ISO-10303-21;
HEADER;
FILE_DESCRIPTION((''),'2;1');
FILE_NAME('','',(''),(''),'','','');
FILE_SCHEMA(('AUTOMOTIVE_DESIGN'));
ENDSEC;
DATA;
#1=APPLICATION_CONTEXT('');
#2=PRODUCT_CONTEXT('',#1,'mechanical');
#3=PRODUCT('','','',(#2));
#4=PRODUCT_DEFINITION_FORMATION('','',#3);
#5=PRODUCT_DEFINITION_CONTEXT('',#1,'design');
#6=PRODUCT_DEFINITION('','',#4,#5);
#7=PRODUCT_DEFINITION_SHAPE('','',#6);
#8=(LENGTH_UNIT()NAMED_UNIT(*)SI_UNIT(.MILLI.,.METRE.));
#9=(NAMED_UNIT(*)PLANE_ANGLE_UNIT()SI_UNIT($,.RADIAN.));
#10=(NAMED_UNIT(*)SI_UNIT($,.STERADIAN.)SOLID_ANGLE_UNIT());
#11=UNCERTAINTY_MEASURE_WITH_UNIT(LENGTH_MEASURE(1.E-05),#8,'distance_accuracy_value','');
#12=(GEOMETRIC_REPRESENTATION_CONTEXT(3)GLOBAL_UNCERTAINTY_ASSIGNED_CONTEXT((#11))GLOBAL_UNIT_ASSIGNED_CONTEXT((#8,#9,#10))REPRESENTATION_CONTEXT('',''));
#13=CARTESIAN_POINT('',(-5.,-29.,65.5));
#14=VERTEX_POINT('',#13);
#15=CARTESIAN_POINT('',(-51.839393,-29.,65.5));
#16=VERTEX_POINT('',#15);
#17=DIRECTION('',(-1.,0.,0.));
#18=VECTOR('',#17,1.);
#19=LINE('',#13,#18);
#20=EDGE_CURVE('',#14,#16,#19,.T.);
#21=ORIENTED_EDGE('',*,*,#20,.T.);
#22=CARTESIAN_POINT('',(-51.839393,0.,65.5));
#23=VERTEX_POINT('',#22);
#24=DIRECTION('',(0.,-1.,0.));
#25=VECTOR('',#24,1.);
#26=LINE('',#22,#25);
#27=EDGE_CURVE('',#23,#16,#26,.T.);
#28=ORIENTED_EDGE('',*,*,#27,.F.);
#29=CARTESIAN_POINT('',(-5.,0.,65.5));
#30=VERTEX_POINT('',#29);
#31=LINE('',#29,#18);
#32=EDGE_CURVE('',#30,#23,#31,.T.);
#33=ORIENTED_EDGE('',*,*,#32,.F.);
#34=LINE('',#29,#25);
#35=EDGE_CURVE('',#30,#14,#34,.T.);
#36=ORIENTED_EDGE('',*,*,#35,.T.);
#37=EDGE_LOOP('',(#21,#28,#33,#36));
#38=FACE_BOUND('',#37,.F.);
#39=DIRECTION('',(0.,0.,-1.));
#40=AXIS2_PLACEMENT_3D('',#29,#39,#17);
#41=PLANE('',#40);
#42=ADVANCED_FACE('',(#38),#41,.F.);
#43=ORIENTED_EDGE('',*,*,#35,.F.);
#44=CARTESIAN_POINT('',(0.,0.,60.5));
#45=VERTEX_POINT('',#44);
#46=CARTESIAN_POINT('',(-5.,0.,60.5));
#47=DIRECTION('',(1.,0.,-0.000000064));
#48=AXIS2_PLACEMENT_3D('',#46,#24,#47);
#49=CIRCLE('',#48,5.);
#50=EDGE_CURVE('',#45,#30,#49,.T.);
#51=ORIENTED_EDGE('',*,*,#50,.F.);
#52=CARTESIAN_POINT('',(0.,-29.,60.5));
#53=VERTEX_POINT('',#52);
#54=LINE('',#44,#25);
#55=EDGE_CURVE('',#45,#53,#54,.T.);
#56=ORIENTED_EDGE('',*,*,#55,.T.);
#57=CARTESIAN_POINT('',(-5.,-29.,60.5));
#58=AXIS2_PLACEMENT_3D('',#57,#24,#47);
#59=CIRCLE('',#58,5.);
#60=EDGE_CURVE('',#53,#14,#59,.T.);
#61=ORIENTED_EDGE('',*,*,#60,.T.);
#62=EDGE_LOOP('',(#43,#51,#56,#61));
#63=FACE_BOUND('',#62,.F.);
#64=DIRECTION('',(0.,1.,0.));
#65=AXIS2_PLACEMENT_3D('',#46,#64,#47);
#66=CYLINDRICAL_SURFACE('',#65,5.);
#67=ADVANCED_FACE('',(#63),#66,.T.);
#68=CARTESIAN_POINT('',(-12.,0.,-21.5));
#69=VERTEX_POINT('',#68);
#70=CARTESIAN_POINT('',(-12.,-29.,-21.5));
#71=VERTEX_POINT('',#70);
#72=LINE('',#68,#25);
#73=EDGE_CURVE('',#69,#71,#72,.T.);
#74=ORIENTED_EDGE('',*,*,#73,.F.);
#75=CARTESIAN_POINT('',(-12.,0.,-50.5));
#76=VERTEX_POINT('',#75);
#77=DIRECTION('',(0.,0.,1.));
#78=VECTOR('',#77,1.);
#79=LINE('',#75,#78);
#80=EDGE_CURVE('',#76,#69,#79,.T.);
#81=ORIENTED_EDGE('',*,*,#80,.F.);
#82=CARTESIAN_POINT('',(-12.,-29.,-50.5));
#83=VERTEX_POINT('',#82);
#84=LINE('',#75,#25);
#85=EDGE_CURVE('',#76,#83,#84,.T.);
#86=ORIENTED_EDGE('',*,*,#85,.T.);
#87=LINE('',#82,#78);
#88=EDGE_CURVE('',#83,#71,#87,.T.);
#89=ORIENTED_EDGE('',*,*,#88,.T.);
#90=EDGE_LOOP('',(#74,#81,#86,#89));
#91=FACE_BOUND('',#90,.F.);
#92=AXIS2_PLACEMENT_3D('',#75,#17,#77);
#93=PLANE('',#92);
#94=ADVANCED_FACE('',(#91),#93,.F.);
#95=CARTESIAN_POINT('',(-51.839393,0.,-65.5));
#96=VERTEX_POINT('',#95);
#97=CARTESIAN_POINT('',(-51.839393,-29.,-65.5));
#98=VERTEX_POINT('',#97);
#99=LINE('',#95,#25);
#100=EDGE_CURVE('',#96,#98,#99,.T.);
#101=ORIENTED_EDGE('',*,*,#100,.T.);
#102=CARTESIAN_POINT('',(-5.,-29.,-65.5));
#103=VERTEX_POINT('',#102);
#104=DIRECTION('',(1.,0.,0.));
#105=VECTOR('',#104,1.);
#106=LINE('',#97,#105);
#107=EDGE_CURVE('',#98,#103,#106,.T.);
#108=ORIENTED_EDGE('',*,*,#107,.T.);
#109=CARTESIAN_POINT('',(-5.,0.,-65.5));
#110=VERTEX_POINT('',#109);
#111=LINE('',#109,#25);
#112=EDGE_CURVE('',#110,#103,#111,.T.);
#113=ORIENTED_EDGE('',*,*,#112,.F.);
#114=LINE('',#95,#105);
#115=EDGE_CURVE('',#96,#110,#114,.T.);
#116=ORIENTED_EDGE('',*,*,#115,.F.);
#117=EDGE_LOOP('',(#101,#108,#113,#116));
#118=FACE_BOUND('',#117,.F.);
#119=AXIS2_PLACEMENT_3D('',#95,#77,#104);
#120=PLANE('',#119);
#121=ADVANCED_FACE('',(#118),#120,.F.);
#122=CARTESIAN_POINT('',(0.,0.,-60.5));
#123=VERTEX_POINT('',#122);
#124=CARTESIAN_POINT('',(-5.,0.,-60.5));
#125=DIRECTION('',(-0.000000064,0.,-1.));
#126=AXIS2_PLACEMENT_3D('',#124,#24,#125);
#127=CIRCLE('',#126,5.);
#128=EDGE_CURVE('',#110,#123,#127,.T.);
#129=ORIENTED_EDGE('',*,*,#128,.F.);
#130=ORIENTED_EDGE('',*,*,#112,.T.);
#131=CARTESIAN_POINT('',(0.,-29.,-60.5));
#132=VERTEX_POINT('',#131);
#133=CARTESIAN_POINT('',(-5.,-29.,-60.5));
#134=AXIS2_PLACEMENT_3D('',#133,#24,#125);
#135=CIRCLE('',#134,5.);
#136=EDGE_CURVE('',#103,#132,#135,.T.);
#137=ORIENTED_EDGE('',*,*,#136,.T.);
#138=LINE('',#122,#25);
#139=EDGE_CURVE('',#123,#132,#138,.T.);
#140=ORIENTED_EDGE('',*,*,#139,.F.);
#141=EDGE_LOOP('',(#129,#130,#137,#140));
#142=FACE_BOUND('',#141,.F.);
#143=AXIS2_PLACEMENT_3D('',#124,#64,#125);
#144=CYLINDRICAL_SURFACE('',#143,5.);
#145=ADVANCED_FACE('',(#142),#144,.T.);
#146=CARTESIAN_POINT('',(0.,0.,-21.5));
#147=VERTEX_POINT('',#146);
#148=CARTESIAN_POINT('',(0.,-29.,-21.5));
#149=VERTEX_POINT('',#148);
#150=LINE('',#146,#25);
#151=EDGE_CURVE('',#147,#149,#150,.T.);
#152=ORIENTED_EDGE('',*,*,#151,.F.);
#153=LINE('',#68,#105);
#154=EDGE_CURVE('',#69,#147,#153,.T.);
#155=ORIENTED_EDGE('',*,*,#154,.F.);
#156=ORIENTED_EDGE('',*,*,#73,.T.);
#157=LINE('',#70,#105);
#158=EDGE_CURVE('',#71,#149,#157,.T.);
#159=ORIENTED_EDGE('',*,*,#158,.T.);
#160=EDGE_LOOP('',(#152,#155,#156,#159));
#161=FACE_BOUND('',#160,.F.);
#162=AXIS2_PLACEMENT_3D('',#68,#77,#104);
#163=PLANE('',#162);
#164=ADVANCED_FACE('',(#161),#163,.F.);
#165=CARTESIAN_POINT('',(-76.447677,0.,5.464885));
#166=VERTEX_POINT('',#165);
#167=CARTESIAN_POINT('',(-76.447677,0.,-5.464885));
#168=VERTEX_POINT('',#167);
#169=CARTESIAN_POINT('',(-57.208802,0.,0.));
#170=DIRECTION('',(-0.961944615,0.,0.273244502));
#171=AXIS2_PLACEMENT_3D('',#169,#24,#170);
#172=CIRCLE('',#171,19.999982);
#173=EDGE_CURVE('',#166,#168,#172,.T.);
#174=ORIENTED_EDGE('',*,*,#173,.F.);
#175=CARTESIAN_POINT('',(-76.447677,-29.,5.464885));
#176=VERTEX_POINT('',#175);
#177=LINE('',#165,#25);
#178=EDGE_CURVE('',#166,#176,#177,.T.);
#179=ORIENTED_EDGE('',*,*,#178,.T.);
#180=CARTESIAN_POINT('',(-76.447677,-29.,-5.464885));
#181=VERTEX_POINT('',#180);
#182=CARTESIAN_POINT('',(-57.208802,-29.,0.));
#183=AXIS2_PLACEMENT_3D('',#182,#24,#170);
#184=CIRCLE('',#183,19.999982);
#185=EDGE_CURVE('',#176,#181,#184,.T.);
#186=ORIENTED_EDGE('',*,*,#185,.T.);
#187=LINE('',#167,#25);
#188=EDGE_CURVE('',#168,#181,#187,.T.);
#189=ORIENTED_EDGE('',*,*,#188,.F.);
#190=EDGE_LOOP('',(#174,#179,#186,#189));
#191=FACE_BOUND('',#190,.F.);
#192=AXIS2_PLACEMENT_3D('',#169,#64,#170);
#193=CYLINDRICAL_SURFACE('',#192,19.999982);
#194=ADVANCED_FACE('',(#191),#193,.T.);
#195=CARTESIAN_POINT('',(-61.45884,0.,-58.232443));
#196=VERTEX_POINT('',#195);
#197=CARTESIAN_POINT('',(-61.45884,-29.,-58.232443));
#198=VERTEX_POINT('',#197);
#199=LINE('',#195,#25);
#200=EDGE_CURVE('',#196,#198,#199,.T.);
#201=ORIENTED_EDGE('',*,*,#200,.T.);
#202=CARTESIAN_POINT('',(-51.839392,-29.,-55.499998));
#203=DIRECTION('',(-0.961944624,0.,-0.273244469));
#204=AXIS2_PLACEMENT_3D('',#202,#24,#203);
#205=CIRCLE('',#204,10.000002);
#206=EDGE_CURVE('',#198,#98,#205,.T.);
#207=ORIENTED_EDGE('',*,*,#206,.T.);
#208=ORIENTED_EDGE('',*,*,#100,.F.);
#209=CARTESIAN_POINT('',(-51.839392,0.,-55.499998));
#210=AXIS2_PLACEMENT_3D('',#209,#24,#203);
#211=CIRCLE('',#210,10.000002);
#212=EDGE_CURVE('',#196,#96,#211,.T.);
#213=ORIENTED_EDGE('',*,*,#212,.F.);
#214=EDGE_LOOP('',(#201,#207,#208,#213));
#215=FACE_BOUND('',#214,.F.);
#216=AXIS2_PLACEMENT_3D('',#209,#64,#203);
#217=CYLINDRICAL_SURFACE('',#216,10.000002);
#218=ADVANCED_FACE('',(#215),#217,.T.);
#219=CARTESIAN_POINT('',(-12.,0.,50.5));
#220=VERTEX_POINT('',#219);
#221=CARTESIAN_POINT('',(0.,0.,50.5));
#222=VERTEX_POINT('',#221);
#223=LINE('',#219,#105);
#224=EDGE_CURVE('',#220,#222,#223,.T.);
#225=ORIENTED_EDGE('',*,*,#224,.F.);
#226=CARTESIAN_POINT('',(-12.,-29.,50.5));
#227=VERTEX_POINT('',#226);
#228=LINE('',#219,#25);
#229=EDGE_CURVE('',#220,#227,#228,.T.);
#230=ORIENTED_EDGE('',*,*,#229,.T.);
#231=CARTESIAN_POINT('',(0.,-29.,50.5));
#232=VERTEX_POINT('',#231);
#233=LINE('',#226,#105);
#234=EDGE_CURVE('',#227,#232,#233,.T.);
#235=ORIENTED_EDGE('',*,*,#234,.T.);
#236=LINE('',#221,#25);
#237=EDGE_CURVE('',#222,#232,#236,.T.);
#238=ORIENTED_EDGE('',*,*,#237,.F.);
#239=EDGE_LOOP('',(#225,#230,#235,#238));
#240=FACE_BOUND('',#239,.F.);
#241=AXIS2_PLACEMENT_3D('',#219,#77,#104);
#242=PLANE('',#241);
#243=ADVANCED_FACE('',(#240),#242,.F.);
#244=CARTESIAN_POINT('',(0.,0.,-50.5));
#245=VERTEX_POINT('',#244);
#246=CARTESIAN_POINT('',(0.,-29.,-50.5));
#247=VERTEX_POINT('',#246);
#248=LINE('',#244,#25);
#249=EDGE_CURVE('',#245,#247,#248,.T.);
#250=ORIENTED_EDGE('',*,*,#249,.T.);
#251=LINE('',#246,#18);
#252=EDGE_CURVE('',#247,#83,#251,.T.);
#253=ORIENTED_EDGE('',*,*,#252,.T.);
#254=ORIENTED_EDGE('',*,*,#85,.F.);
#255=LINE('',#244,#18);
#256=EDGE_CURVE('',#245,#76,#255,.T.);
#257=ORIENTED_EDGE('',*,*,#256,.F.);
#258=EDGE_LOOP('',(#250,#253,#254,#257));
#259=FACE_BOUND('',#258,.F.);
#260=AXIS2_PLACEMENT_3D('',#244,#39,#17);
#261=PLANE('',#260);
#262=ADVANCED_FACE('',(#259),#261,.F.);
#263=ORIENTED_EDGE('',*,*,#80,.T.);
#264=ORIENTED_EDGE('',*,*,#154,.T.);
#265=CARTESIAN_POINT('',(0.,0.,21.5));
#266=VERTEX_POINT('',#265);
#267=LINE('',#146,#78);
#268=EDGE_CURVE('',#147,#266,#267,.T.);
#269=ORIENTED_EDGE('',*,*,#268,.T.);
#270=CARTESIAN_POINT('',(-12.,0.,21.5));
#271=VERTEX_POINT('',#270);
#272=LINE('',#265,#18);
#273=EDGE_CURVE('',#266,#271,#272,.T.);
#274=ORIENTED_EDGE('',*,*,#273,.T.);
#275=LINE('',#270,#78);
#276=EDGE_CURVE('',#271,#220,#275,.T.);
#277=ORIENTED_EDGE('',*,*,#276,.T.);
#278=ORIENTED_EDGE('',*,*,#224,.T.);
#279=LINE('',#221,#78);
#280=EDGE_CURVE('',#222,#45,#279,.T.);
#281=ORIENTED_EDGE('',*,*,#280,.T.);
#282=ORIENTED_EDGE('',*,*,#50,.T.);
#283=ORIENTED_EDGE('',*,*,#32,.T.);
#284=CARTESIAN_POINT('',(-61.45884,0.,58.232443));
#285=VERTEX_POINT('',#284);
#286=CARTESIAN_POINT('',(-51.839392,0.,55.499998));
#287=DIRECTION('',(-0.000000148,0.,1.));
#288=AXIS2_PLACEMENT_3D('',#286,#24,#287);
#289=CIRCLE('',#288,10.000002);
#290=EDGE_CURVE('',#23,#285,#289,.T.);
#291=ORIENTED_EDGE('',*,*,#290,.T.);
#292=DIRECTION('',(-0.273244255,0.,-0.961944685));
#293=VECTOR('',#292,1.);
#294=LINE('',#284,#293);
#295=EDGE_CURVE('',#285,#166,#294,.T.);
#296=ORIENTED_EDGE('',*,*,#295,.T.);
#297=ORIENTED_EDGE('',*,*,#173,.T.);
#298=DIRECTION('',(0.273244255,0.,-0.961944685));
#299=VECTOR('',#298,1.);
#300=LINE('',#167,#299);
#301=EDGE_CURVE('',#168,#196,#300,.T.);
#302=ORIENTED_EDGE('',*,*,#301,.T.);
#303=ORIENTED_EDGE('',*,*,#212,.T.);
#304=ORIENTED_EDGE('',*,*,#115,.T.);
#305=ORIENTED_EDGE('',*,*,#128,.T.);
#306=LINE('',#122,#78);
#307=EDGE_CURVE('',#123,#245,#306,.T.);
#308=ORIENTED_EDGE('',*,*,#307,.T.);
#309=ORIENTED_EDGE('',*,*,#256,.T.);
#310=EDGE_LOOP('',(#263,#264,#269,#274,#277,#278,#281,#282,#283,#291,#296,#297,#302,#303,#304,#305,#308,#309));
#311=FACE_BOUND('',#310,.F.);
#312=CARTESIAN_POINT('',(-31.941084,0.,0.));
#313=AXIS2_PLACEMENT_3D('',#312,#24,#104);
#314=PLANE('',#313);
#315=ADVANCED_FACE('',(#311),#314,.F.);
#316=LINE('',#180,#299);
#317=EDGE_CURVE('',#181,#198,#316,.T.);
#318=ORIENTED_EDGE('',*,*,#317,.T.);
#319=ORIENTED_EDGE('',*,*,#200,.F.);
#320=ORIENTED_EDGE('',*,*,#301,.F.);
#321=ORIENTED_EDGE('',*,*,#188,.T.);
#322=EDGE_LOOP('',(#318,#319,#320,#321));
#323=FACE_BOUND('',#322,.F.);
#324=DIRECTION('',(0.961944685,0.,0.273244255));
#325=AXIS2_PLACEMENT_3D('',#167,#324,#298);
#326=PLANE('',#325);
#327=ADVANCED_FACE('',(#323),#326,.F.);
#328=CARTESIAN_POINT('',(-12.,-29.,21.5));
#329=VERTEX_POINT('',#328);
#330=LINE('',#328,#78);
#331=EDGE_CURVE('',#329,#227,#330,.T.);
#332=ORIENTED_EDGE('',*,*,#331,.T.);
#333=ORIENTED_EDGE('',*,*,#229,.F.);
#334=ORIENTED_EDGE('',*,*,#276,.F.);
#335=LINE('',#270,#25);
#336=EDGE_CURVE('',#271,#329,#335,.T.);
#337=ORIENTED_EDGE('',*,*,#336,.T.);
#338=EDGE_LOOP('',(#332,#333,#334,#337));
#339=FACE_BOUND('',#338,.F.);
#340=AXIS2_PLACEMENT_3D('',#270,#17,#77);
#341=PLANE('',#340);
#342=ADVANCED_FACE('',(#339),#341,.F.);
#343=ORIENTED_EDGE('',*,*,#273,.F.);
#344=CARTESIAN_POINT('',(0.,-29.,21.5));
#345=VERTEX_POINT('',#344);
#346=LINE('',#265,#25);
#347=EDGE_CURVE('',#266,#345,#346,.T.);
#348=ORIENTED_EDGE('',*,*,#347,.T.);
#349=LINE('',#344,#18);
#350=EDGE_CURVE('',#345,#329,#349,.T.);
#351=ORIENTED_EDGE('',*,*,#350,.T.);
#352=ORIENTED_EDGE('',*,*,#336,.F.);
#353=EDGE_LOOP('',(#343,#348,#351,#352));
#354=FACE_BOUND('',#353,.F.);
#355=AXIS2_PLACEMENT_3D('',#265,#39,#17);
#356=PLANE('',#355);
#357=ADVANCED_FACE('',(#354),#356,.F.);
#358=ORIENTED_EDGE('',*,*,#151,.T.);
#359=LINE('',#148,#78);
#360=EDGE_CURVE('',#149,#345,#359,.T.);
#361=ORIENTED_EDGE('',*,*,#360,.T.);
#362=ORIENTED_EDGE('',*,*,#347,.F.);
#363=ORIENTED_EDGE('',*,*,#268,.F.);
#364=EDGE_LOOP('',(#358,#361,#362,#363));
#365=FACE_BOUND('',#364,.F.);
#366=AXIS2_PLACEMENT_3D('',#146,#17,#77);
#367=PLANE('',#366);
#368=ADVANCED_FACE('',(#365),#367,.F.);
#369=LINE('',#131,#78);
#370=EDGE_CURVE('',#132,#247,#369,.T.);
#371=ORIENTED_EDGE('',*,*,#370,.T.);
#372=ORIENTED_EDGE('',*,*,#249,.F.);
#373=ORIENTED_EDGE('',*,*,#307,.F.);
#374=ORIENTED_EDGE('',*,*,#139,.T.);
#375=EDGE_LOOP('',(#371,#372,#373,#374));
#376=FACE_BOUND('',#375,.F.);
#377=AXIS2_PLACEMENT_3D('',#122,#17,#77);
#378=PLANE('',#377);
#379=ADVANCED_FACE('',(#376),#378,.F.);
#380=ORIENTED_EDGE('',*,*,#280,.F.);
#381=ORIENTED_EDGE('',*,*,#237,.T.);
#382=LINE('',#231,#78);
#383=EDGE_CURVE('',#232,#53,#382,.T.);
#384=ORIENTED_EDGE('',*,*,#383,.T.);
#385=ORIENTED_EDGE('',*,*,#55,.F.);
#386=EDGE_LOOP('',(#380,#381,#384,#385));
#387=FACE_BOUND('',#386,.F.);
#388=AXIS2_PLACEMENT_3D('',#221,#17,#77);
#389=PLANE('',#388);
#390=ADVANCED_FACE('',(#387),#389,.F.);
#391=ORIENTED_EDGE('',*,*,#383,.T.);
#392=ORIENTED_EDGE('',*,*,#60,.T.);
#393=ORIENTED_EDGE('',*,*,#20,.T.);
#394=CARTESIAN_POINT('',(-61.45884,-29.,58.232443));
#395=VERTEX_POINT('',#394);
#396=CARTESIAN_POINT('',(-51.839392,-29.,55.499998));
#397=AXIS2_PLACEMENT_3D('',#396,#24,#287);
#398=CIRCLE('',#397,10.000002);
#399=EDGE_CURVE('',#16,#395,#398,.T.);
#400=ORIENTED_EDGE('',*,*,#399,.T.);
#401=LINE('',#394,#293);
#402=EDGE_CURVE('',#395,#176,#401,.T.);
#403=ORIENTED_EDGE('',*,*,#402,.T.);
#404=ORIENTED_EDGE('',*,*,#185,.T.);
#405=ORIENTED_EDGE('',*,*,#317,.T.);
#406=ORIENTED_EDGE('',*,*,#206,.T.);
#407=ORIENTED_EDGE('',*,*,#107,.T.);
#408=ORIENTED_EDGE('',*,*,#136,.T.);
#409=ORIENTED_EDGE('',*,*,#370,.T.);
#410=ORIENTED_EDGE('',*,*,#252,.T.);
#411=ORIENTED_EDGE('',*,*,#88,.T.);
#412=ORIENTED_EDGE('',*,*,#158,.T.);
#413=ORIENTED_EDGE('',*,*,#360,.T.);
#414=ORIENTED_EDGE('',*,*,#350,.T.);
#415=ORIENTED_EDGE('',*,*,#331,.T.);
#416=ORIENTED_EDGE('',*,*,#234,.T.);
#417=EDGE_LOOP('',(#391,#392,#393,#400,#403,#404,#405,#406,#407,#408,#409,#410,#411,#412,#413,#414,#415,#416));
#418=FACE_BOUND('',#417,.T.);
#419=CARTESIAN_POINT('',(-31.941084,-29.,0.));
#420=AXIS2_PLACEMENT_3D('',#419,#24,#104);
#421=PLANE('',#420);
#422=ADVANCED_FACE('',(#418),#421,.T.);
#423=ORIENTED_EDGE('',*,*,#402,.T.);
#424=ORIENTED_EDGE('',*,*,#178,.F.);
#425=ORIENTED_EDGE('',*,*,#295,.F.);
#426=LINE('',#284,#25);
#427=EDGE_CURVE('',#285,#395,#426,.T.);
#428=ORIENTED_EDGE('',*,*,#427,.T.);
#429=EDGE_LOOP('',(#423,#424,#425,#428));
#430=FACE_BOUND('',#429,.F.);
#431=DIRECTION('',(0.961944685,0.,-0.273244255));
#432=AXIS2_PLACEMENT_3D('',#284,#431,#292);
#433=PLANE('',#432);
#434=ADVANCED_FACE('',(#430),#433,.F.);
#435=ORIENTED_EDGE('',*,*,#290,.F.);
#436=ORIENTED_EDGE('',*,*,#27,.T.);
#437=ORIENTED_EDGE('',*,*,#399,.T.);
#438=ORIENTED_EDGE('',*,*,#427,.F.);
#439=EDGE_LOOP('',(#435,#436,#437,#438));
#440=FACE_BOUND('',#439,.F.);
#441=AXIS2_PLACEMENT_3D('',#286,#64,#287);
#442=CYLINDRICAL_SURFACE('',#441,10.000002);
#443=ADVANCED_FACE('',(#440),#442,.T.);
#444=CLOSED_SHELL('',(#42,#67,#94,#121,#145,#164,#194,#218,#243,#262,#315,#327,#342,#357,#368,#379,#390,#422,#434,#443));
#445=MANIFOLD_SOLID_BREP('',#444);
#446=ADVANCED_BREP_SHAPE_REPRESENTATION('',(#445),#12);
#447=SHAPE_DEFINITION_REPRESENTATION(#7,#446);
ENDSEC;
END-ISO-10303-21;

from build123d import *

# Parameters (mm, degrees)
F1_DEPTH = 29


with BuildPart() as f1:
    # F0 (on Front) → F1 (new body)
    with BuildSketch(Plane.XZ):
        with BuildLine():
            Line((0, -21.5), (0, 0))
            Line((0, 0), (0, 21.5))
            Line((0, 21.5), (-12, 21.5))
            Line((-12, 21.5), (-12, 50.5))
            Line((-12, 50.5), (0, 50.5))
            Line((0, 50.5), (0, 60.5))
            ThreePointArc((0, 60.5), (-1.464466, 64.035534), (-5, 65.5))
            Line((-5, 65.5), (-51.839393, 65.5))
            ThreePointArc((-51.839393, 65.5), (-57.867476, 63.47886), (-61.45884, 58.232443))
            Line((-61.45884, 58.232443), (-76.447677, 5.464885))
            ThreePointArc((-76.447677, 5.464885), (-77.208784, 0), (-76.447677, -5.464885))
            Line((-76.447677, -5.464885), (-61.45884, -58.232443))
            ThreePointArc((-61.45884, -58.232443), (-57.867476, -63.47886), (-51.839393, -65.5))
            Line((-51.839393, -65.5), (-5, -65.5))
            ThreePointArc((-5, -65.5), (-1.464466, -64.035534), (0, -60.5))
            Line((0, -60.5), (0, -50.5))
            Line((0, -50.5), (-12, -50.5))
            Line((-12, -50.5), (-12, -21.5))
            Line((-12, -21.5), (0, -21.5))
        make_face()
    extrude(amount=F1_DEPTH)


solid = f1.part
